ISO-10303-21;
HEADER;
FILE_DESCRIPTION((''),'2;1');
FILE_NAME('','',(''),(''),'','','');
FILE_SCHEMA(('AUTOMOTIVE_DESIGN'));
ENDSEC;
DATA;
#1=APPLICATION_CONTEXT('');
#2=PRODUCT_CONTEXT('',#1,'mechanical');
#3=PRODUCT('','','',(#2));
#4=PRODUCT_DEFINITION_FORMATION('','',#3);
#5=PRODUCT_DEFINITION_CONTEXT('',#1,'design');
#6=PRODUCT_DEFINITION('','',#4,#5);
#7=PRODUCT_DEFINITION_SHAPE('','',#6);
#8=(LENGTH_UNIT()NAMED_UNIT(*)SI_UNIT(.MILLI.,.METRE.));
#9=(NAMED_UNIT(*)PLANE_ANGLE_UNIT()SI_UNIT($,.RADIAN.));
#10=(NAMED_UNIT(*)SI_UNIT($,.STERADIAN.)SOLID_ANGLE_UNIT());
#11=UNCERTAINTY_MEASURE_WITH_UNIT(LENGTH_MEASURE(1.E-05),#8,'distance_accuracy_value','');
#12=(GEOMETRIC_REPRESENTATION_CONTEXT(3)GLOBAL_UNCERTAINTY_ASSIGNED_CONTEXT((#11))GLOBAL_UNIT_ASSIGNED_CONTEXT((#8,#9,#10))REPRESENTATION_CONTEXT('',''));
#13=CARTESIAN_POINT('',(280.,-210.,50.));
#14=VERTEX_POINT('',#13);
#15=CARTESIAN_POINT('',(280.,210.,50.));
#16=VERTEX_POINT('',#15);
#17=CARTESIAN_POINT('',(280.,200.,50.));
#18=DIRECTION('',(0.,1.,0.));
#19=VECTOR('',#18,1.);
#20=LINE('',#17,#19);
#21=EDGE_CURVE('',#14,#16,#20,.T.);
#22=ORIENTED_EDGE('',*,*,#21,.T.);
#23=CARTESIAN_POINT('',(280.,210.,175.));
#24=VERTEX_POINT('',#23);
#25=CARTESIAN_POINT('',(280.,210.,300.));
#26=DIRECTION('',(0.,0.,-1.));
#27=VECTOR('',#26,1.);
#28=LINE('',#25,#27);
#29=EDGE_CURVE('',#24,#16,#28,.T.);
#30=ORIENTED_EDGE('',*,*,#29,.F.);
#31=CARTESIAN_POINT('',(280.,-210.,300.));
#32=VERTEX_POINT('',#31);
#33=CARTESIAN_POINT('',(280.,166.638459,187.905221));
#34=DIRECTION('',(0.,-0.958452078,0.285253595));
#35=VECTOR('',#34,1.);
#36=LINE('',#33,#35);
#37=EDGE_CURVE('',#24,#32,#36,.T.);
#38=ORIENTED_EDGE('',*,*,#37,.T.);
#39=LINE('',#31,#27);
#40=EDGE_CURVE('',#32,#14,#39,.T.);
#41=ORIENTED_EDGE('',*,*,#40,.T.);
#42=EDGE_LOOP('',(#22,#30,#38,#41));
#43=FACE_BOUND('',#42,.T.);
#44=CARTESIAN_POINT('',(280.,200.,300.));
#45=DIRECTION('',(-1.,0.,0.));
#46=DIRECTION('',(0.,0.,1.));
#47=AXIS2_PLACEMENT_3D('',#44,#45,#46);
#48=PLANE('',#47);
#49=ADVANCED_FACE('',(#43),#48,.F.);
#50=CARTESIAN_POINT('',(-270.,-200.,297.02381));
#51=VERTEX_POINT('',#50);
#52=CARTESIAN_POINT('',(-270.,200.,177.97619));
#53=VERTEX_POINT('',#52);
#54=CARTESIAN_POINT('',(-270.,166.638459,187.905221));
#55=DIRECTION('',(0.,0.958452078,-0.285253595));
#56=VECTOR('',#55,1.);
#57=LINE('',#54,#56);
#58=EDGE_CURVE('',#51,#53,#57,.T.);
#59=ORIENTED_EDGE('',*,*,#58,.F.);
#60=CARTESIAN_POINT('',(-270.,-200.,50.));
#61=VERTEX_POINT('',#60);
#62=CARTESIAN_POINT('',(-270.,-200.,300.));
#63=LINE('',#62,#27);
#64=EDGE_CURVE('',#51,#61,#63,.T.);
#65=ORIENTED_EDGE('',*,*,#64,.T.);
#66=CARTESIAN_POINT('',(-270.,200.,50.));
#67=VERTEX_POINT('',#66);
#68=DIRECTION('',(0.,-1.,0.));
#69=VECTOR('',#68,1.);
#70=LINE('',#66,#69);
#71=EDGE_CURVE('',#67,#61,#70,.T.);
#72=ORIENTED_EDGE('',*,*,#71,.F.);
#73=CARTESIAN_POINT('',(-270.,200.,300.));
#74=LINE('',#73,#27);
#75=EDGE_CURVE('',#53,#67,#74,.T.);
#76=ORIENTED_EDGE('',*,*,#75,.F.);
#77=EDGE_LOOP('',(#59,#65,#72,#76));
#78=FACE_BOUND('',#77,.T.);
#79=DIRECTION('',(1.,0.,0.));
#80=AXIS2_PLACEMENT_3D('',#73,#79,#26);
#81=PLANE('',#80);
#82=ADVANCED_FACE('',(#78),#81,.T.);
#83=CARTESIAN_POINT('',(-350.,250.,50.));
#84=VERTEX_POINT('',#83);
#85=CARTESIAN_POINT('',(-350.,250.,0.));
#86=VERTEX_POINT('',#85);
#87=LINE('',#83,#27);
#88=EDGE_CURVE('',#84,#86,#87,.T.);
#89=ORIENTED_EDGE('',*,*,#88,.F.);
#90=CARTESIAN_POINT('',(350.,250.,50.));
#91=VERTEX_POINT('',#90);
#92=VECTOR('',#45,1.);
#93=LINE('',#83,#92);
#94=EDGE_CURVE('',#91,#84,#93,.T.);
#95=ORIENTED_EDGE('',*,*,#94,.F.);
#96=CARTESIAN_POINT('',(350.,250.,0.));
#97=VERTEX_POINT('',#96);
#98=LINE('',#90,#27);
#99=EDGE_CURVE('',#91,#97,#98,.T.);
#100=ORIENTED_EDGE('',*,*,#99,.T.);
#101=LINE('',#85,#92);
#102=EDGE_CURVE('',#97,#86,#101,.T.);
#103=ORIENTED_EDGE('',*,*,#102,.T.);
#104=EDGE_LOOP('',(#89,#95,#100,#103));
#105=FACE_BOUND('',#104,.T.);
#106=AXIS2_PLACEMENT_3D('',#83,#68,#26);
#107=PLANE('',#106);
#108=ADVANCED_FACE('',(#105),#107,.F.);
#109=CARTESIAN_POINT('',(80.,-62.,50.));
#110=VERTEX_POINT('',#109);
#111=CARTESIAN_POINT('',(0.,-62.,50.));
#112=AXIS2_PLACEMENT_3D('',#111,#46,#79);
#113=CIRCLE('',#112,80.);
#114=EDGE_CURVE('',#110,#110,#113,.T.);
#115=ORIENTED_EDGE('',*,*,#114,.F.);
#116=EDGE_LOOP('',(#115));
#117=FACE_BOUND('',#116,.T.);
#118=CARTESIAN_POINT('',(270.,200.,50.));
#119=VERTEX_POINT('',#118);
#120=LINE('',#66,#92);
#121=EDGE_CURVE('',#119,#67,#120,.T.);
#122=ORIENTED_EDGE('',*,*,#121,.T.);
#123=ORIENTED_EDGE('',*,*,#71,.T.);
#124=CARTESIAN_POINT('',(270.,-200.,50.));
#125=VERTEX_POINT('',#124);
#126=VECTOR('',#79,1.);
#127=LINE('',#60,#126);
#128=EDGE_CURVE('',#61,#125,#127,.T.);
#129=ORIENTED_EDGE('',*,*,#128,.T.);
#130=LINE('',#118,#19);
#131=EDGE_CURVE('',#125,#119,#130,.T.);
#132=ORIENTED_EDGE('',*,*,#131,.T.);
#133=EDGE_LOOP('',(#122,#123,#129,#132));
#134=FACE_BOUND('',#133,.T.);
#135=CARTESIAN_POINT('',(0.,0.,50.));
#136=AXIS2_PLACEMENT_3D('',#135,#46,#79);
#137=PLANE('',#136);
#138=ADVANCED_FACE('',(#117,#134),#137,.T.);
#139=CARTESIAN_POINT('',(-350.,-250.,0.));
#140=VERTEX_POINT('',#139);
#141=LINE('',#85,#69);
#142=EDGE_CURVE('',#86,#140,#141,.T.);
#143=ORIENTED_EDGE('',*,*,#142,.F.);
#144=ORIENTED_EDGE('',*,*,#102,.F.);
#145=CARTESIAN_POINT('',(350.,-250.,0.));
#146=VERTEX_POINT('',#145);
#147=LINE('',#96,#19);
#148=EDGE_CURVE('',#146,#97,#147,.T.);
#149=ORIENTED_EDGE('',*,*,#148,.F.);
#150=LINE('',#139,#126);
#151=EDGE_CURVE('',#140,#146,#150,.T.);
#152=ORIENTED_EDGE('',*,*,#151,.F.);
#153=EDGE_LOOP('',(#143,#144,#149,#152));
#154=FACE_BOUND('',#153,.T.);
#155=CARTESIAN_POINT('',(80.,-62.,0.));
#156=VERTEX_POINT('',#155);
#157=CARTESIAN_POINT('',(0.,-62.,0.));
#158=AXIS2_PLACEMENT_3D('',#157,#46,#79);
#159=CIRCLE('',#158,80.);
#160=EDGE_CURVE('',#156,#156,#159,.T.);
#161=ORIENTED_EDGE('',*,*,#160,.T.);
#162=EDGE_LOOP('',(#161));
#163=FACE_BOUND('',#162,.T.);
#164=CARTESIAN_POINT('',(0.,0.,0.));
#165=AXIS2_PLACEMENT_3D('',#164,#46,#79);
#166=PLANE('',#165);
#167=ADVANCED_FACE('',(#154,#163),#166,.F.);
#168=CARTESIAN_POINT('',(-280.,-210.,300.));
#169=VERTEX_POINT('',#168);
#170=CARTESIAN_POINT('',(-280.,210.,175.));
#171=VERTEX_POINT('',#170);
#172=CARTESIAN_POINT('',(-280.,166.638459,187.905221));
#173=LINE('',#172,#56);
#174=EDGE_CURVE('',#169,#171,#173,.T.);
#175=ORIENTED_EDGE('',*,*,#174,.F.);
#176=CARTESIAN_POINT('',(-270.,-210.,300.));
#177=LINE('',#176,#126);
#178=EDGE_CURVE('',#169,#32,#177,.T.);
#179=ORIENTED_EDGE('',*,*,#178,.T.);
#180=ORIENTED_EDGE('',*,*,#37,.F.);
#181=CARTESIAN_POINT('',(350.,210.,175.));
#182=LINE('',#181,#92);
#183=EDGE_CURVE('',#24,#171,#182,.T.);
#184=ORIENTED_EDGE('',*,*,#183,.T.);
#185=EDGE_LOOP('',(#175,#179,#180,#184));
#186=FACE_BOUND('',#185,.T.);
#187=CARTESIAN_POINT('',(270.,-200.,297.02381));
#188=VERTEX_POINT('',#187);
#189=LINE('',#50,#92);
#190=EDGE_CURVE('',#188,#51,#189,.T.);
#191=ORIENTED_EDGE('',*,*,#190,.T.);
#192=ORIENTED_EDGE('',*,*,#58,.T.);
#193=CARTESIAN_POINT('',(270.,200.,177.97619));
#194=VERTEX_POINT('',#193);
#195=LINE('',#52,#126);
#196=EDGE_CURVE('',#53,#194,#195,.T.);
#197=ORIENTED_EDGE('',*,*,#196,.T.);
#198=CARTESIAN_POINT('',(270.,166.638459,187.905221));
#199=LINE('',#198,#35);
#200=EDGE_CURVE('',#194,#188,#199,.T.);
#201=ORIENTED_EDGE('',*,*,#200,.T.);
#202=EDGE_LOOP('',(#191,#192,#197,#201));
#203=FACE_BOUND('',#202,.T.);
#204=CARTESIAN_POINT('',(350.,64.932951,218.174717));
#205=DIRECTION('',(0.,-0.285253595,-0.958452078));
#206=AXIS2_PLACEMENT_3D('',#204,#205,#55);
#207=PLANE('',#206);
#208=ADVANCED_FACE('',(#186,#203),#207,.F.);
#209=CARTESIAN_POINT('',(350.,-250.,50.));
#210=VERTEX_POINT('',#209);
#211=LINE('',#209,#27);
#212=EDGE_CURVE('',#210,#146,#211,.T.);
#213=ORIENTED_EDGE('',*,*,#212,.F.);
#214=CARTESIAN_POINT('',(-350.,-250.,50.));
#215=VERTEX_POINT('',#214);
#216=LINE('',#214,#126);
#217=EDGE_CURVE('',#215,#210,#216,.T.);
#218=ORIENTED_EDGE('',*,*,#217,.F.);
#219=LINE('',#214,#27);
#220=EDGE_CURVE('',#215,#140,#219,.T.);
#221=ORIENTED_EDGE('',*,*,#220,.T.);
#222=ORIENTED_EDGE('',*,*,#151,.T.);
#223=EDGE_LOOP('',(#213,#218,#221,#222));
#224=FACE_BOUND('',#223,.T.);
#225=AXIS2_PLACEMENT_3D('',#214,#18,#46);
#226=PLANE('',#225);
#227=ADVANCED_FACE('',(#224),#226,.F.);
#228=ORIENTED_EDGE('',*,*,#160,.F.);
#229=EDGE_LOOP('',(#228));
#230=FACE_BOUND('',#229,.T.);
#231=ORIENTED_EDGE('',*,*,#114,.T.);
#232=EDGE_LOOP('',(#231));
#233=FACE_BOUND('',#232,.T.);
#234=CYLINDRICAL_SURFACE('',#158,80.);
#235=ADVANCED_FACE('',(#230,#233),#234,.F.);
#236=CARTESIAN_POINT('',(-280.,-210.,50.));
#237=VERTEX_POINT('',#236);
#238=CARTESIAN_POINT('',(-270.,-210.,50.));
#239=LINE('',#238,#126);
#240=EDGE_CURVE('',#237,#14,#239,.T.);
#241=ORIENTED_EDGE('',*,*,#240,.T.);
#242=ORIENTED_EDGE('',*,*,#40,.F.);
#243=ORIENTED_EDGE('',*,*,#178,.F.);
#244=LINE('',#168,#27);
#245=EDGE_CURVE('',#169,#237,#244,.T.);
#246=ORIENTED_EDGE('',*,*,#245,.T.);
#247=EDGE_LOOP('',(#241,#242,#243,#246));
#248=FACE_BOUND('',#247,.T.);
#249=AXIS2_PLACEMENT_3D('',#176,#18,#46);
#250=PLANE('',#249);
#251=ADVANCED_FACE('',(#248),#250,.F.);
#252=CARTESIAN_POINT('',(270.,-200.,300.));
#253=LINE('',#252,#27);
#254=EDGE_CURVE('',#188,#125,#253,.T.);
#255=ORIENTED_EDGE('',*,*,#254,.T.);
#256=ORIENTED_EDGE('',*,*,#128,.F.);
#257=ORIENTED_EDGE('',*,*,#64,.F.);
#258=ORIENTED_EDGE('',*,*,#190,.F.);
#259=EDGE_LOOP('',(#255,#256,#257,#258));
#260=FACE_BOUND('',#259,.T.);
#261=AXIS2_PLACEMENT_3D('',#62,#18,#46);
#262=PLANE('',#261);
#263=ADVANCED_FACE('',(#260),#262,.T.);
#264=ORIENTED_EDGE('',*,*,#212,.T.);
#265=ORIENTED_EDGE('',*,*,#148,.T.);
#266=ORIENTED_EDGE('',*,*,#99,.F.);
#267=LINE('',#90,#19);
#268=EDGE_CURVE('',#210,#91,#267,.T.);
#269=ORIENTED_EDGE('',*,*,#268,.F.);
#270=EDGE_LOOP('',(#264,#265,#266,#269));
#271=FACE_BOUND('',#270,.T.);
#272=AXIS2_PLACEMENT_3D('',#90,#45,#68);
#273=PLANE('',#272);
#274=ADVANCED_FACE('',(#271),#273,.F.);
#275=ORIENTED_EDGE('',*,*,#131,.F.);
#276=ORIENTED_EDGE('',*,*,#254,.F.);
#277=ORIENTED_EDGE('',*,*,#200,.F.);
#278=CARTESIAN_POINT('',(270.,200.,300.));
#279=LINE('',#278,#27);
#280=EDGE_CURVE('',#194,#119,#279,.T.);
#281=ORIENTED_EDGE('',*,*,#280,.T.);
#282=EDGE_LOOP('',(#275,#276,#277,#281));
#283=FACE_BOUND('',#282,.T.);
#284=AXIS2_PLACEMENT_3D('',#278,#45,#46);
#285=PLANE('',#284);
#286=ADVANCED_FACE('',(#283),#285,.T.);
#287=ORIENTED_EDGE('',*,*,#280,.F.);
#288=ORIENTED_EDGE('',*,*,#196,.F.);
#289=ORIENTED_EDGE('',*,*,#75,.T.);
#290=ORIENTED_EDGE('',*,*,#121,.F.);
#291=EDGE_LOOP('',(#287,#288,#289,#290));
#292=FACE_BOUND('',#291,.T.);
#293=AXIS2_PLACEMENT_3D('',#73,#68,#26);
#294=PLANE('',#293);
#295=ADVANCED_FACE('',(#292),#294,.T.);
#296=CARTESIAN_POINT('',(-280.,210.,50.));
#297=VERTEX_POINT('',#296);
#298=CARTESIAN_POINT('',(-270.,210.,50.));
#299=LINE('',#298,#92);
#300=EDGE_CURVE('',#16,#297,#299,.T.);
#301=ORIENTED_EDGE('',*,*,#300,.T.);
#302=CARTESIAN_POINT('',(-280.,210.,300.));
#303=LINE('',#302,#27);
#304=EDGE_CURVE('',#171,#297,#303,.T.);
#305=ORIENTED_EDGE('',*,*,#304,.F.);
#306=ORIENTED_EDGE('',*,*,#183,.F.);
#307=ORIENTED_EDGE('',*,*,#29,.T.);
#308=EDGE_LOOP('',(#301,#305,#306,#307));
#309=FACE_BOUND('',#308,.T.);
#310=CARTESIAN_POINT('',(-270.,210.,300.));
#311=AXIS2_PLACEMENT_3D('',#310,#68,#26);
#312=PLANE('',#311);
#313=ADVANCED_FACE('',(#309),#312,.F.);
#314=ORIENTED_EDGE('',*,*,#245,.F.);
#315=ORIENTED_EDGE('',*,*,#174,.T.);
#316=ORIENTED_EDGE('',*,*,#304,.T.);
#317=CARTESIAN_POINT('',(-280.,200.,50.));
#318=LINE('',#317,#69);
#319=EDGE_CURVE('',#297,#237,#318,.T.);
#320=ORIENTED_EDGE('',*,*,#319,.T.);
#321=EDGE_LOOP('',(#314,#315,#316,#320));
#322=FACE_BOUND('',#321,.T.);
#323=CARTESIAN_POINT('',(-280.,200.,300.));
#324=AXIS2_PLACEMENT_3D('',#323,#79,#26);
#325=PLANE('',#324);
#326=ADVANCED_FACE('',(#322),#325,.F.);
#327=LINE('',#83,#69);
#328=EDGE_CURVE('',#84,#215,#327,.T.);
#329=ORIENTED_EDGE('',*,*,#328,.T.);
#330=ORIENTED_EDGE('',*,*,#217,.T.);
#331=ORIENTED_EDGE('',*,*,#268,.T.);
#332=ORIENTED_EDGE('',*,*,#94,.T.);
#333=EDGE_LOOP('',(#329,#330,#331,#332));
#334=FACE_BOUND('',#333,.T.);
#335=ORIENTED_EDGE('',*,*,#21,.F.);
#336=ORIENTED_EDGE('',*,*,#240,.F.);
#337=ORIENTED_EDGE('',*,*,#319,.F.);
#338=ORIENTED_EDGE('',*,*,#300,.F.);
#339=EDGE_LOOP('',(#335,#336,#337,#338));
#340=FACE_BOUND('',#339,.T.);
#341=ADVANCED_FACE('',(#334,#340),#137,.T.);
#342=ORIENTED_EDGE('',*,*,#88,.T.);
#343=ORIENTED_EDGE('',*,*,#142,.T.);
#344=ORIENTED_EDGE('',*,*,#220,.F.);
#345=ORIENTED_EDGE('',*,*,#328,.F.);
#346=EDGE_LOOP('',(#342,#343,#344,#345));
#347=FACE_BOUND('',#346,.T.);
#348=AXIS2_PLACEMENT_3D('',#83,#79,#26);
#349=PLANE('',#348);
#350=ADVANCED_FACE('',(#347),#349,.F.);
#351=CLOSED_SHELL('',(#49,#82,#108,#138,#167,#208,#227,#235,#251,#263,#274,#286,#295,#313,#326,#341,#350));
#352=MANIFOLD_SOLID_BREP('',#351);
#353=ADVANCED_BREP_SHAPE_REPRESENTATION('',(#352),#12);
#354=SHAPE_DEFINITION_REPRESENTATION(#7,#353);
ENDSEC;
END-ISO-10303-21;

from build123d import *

# Parameters (mm, degrees)
SKETCH1_W               = 700
SKETCH1_H               = 500
BOSS_EXTRUDE1_DEPTH     = 50
SKETCH2_W               = 560
SKETCH2_H               = 420
SKETCH2_W_2             = 540
SKETCH2_H_2             = 400
EXTRUDE_THIN1_DEPTH     = 250
CUT_EXTRUDE5_DEPTH      = 71
CUT_EXTRUDE5_DEPTH_BACK = 631
SKETCH4_R               = 80
CUT_EXTRUDE6_DEPTH      = 51


with BuildPart() as part:
    # Sketch1 → Boss-Extrude1 (new body)
    with BuildSketch(Plane.XY):
        Rectangle(SKETCH1_W, SKETCH1_H)
    extrude(amount=BOSS_EXTRUDE1_DEPTH)

    # Sketch2 → Extrude-Thin1 (add)
    with BuildSketch(Plane.XY.offset(50)):
        Rectangle(SKETCH2_W, SKETCH2_H)
        Rectangle(SKETCH2_W_2, SKETCH2_H_2, mode=Mode.SUBTRACT)
    extrude(amount=EXTRUDE_THIN1_DEPTH)

    # Sketch3 → Cut-Extrude5 (cut, two sides)
    with BuildSketch(Plane.ZY.offset(280)) as cut_extrude5_sk:
        Polygon((300, 210), (175, 210), (300, -210), align=None)
    extrude(amount=CUT_EXTRUDE5_DEPTH, mode=Mode.SUBTRACT)
    extrude(cut_extrude5_sk.sketch, amount=-CUT_EXTRUDE5_DEPTH_BACK, mode=Mode.SUBTRACT)

    # Sketch4 → Cut-Extrude6 (cut, through all)
    with BuildSketch(Plane.XY.offset(50)):
        with Locations((0, -62)):
            Circle(SKETCH4_R)
    extrude(amount=-CUT_EXTRUDE6_DEPTH, mode=Mode.SUBTRACT)


solid = part.part
